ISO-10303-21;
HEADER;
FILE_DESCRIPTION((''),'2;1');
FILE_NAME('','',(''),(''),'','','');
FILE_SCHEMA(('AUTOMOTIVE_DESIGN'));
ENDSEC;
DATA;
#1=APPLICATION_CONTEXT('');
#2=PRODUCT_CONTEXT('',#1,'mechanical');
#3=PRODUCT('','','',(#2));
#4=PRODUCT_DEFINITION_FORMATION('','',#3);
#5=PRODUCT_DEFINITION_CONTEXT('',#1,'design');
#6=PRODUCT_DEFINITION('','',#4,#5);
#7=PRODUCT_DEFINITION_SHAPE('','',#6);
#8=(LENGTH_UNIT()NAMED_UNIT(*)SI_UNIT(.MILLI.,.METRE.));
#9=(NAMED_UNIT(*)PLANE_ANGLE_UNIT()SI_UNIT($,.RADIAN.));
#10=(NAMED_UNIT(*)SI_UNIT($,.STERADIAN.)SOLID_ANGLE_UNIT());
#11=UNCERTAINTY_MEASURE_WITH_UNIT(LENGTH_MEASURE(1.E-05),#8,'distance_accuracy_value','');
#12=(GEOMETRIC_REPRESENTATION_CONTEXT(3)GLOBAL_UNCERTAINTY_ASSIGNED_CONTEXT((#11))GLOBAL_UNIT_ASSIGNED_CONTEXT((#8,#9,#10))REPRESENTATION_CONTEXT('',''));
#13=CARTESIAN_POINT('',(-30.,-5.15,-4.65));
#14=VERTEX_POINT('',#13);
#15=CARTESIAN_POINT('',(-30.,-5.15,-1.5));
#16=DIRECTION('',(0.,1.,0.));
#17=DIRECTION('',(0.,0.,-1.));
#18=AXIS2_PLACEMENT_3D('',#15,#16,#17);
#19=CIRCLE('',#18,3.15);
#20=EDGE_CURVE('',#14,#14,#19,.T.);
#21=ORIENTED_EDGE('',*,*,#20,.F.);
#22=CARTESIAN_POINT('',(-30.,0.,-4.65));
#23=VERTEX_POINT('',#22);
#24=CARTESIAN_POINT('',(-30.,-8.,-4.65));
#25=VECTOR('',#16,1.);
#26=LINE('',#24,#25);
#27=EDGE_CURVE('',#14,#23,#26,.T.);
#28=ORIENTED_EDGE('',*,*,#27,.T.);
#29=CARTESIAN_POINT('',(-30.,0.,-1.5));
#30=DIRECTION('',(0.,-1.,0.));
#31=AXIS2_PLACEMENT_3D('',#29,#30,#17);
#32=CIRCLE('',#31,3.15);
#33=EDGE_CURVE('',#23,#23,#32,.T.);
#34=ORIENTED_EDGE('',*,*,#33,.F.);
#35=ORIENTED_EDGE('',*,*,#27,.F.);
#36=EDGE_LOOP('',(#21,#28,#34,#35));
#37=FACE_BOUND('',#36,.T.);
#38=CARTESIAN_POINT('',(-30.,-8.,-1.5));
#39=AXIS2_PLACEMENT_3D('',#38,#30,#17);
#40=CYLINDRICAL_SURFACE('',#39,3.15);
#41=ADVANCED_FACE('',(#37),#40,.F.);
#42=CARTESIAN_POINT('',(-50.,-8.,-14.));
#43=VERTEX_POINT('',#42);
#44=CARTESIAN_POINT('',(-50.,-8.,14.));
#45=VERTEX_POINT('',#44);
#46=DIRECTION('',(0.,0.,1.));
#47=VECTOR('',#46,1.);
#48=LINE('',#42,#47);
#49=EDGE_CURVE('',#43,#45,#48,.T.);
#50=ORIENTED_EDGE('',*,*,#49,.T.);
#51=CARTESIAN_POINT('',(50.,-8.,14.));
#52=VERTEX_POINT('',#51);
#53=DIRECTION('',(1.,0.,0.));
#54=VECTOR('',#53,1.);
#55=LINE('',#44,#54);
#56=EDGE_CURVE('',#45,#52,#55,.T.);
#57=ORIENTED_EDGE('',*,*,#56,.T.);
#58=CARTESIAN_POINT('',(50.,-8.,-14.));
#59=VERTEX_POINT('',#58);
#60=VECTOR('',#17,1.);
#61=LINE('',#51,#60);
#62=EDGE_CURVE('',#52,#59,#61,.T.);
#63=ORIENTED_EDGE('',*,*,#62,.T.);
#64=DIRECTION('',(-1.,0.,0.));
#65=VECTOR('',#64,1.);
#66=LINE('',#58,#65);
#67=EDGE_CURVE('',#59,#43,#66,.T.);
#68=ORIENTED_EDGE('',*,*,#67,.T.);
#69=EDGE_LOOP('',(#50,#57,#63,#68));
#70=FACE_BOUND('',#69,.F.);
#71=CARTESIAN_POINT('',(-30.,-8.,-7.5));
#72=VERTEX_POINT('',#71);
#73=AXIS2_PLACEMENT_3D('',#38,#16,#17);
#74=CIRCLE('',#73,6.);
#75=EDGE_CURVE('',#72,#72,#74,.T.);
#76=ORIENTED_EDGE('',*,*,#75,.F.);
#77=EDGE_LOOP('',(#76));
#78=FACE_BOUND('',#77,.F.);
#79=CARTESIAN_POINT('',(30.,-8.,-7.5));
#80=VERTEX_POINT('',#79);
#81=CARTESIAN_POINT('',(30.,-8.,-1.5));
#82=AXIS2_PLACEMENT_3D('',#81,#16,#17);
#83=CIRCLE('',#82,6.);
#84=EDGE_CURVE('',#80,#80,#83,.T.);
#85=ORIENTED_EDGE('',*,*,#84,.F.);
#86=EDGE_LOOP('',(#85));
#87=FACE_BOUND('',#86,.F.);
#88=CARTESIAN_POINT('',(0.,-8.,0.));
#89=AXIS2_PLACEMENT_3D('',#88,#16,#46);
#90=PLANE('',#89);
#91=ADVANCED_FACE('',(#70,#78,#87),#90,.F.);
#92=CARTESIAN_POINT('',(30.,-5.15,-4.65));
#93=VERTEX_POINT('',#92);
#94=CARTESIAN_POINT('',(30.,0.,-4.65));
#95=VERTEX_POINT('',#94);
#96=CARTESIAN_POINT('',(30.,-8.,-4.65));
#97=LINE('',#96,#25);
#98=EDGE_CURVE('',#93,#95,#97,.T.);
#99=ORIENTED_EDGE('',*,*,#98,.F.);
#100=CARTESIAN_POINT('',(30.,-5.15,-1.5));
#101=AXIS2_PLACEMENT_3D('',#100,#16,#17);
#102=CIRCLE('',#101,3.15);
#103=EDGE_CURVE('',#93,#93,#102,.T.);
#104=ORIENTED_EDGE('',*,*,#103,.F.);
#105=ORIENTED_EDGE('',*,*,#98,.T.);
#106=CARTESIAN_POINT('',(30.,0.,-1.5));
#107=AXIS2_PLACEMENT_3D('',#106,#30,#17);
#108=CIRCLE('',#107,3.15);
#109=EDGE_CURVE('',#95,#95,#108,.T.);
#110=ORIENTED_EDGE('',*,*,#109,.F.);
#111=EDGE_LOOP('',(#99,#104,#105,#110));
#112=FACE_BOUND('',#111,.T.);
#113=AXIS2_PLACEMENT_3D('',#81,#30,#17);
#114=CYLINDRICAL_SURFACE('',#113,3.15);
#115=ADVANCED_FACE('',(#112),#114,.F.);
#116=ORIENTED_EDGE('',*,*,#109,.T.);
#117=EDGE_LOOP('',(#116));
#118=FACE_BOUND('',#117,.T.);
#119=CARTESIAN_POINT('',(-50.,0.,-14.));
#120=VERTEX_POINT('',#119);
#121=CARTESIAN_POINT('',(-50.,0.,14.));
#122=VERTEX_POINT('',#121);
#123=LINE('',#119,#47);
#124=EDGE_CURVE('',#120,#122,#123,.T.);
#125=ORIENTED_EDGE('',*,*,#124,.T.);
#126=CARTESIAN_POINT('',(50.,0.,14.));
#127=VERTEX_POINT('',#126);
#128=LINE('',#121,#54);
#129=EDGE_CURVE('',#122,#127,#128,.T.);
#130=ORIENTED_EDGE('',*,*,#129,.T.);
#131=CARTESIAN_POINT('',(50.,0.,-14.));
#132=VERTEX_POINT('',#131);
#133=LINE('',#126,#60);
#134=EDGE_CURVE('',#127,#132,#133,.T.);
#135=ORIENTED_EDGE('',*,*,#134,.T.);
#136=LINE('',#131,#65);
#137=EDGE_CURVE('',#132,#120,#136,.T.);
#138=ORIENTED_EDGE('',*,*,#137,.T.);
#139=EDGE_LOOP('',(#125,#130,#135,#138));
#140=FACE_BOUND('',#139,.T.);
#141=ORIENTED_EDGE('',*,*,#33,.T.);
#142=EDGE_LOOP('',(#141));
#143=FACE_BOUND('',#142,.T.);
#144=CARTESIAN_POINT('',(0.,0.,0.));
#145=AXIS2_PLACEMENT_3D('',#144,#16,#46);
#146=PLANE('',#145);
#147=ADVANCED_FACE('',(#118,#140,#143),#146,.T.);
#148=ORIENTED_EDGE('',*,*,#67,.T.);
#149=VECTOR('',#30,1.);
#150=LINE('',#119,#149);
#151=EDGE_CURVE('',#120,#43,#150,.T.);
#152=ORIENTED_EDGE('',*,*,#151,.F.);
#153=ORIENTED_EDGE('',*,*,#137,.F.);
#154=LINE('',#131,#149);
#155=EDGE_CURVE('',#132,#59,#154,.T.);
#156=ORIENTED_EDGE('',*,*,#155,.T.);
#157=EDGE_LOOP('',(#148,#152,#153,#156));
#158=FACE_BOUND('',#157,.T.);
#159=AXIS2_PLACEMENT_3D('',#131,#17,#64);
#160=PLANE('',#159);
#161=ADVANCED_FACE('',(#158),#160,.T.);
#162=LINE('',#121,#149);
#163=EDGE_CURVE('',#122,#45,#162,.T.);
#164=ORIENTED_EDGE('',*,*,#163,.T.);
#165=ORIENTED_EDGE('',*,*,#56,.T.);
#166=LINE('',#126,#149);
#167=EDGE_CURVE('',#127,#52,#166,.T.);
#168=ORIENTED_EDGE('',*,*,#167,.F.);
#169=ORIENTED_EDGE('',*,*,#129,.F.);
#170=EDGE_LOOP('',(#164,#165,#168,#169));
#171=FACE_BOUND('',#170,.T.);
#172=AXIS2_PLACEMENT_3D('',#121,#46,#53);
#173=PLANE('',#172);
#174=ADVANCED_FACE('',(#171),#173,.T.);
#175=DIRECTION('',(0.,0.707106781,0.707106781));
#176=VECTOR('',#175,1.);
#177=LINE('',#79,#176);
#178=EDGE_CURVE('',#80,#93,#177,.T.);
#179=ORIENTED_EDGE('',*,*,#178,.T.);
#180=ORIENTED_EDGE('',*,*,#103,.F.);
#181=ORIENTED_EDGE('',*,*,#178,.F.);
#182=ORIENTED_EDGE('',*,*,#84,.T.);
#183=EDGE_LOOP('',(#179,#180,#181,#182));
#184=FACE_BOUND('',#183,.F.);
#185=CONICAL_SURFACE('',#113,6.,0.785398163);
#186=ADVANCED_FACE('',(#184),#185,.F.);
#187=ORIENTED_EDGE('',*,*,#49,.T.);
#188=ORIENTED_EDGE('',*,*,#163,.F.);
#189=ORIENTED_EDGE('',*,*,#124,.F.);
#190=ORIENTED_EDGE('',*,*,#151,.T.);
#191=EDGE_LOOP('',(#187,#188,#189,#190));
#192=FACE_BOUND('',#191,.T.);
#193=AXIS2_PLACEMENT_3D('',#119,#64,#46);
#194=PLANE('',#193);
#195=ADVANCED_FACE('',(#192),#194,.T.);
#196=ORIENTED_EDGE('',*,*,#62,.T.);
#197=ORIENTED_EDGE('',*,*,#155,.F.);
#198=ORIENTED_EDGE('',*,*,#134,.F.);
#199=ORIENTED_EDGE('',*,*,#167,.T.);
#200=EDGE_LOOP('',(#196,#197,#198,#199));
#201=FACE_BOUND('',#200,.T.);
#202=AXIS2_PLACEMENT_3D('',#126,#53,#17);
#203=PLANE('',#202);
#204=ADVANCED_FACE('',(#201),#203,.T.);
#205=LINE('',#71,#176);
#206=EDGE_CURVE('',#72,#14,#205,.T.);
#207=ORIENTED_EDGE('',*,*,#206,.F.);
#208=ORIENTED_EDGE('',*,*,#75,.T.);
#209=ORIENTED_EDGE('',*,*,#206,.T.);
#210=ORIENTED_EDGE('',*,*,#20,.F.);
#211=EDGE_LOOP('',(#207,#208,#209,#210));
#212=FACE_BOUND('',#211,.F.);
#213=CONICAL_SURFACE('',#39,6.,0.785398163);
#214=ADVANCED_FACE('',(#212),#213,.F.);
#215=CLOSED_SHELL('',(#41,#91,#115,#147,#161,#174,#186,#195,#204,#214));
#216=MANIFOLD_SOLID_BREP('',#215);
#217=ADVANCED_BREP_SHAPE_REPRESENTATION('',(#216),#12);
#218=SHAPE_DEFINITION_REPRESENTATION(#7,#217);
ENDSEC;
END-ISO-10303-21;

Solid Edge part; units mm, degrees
sketch "Sketch1" plane through (0, 0, 0) normal (0, -1, 0) x (1, 0, 0)
  line L0 (-50, 14) -> (50, 14)
  line L1 (50, 14) -> (50, -14)
  line L2 (50, -14) -> (-50, -14)
  line L3 (-50, -14) -> (-50, 14)
  dimension "D1" = 28
  dimension "D2" = 100
extrude "Protrusion1" add sketch "Sketch1" along normal blind 8
hole "Hole_3" at (30, -8, -1.5) direction (0, 1, 0) diameter 6.3 end up to next countersink diameter 12 countersink angle 90
hole "Hole1" at (-30, -8, -1.5) direction (0, 1, 0) diameter 6.3 end up to next countersink diameter 12 countersink angle 90
properties part number "3" material "cast iron"
